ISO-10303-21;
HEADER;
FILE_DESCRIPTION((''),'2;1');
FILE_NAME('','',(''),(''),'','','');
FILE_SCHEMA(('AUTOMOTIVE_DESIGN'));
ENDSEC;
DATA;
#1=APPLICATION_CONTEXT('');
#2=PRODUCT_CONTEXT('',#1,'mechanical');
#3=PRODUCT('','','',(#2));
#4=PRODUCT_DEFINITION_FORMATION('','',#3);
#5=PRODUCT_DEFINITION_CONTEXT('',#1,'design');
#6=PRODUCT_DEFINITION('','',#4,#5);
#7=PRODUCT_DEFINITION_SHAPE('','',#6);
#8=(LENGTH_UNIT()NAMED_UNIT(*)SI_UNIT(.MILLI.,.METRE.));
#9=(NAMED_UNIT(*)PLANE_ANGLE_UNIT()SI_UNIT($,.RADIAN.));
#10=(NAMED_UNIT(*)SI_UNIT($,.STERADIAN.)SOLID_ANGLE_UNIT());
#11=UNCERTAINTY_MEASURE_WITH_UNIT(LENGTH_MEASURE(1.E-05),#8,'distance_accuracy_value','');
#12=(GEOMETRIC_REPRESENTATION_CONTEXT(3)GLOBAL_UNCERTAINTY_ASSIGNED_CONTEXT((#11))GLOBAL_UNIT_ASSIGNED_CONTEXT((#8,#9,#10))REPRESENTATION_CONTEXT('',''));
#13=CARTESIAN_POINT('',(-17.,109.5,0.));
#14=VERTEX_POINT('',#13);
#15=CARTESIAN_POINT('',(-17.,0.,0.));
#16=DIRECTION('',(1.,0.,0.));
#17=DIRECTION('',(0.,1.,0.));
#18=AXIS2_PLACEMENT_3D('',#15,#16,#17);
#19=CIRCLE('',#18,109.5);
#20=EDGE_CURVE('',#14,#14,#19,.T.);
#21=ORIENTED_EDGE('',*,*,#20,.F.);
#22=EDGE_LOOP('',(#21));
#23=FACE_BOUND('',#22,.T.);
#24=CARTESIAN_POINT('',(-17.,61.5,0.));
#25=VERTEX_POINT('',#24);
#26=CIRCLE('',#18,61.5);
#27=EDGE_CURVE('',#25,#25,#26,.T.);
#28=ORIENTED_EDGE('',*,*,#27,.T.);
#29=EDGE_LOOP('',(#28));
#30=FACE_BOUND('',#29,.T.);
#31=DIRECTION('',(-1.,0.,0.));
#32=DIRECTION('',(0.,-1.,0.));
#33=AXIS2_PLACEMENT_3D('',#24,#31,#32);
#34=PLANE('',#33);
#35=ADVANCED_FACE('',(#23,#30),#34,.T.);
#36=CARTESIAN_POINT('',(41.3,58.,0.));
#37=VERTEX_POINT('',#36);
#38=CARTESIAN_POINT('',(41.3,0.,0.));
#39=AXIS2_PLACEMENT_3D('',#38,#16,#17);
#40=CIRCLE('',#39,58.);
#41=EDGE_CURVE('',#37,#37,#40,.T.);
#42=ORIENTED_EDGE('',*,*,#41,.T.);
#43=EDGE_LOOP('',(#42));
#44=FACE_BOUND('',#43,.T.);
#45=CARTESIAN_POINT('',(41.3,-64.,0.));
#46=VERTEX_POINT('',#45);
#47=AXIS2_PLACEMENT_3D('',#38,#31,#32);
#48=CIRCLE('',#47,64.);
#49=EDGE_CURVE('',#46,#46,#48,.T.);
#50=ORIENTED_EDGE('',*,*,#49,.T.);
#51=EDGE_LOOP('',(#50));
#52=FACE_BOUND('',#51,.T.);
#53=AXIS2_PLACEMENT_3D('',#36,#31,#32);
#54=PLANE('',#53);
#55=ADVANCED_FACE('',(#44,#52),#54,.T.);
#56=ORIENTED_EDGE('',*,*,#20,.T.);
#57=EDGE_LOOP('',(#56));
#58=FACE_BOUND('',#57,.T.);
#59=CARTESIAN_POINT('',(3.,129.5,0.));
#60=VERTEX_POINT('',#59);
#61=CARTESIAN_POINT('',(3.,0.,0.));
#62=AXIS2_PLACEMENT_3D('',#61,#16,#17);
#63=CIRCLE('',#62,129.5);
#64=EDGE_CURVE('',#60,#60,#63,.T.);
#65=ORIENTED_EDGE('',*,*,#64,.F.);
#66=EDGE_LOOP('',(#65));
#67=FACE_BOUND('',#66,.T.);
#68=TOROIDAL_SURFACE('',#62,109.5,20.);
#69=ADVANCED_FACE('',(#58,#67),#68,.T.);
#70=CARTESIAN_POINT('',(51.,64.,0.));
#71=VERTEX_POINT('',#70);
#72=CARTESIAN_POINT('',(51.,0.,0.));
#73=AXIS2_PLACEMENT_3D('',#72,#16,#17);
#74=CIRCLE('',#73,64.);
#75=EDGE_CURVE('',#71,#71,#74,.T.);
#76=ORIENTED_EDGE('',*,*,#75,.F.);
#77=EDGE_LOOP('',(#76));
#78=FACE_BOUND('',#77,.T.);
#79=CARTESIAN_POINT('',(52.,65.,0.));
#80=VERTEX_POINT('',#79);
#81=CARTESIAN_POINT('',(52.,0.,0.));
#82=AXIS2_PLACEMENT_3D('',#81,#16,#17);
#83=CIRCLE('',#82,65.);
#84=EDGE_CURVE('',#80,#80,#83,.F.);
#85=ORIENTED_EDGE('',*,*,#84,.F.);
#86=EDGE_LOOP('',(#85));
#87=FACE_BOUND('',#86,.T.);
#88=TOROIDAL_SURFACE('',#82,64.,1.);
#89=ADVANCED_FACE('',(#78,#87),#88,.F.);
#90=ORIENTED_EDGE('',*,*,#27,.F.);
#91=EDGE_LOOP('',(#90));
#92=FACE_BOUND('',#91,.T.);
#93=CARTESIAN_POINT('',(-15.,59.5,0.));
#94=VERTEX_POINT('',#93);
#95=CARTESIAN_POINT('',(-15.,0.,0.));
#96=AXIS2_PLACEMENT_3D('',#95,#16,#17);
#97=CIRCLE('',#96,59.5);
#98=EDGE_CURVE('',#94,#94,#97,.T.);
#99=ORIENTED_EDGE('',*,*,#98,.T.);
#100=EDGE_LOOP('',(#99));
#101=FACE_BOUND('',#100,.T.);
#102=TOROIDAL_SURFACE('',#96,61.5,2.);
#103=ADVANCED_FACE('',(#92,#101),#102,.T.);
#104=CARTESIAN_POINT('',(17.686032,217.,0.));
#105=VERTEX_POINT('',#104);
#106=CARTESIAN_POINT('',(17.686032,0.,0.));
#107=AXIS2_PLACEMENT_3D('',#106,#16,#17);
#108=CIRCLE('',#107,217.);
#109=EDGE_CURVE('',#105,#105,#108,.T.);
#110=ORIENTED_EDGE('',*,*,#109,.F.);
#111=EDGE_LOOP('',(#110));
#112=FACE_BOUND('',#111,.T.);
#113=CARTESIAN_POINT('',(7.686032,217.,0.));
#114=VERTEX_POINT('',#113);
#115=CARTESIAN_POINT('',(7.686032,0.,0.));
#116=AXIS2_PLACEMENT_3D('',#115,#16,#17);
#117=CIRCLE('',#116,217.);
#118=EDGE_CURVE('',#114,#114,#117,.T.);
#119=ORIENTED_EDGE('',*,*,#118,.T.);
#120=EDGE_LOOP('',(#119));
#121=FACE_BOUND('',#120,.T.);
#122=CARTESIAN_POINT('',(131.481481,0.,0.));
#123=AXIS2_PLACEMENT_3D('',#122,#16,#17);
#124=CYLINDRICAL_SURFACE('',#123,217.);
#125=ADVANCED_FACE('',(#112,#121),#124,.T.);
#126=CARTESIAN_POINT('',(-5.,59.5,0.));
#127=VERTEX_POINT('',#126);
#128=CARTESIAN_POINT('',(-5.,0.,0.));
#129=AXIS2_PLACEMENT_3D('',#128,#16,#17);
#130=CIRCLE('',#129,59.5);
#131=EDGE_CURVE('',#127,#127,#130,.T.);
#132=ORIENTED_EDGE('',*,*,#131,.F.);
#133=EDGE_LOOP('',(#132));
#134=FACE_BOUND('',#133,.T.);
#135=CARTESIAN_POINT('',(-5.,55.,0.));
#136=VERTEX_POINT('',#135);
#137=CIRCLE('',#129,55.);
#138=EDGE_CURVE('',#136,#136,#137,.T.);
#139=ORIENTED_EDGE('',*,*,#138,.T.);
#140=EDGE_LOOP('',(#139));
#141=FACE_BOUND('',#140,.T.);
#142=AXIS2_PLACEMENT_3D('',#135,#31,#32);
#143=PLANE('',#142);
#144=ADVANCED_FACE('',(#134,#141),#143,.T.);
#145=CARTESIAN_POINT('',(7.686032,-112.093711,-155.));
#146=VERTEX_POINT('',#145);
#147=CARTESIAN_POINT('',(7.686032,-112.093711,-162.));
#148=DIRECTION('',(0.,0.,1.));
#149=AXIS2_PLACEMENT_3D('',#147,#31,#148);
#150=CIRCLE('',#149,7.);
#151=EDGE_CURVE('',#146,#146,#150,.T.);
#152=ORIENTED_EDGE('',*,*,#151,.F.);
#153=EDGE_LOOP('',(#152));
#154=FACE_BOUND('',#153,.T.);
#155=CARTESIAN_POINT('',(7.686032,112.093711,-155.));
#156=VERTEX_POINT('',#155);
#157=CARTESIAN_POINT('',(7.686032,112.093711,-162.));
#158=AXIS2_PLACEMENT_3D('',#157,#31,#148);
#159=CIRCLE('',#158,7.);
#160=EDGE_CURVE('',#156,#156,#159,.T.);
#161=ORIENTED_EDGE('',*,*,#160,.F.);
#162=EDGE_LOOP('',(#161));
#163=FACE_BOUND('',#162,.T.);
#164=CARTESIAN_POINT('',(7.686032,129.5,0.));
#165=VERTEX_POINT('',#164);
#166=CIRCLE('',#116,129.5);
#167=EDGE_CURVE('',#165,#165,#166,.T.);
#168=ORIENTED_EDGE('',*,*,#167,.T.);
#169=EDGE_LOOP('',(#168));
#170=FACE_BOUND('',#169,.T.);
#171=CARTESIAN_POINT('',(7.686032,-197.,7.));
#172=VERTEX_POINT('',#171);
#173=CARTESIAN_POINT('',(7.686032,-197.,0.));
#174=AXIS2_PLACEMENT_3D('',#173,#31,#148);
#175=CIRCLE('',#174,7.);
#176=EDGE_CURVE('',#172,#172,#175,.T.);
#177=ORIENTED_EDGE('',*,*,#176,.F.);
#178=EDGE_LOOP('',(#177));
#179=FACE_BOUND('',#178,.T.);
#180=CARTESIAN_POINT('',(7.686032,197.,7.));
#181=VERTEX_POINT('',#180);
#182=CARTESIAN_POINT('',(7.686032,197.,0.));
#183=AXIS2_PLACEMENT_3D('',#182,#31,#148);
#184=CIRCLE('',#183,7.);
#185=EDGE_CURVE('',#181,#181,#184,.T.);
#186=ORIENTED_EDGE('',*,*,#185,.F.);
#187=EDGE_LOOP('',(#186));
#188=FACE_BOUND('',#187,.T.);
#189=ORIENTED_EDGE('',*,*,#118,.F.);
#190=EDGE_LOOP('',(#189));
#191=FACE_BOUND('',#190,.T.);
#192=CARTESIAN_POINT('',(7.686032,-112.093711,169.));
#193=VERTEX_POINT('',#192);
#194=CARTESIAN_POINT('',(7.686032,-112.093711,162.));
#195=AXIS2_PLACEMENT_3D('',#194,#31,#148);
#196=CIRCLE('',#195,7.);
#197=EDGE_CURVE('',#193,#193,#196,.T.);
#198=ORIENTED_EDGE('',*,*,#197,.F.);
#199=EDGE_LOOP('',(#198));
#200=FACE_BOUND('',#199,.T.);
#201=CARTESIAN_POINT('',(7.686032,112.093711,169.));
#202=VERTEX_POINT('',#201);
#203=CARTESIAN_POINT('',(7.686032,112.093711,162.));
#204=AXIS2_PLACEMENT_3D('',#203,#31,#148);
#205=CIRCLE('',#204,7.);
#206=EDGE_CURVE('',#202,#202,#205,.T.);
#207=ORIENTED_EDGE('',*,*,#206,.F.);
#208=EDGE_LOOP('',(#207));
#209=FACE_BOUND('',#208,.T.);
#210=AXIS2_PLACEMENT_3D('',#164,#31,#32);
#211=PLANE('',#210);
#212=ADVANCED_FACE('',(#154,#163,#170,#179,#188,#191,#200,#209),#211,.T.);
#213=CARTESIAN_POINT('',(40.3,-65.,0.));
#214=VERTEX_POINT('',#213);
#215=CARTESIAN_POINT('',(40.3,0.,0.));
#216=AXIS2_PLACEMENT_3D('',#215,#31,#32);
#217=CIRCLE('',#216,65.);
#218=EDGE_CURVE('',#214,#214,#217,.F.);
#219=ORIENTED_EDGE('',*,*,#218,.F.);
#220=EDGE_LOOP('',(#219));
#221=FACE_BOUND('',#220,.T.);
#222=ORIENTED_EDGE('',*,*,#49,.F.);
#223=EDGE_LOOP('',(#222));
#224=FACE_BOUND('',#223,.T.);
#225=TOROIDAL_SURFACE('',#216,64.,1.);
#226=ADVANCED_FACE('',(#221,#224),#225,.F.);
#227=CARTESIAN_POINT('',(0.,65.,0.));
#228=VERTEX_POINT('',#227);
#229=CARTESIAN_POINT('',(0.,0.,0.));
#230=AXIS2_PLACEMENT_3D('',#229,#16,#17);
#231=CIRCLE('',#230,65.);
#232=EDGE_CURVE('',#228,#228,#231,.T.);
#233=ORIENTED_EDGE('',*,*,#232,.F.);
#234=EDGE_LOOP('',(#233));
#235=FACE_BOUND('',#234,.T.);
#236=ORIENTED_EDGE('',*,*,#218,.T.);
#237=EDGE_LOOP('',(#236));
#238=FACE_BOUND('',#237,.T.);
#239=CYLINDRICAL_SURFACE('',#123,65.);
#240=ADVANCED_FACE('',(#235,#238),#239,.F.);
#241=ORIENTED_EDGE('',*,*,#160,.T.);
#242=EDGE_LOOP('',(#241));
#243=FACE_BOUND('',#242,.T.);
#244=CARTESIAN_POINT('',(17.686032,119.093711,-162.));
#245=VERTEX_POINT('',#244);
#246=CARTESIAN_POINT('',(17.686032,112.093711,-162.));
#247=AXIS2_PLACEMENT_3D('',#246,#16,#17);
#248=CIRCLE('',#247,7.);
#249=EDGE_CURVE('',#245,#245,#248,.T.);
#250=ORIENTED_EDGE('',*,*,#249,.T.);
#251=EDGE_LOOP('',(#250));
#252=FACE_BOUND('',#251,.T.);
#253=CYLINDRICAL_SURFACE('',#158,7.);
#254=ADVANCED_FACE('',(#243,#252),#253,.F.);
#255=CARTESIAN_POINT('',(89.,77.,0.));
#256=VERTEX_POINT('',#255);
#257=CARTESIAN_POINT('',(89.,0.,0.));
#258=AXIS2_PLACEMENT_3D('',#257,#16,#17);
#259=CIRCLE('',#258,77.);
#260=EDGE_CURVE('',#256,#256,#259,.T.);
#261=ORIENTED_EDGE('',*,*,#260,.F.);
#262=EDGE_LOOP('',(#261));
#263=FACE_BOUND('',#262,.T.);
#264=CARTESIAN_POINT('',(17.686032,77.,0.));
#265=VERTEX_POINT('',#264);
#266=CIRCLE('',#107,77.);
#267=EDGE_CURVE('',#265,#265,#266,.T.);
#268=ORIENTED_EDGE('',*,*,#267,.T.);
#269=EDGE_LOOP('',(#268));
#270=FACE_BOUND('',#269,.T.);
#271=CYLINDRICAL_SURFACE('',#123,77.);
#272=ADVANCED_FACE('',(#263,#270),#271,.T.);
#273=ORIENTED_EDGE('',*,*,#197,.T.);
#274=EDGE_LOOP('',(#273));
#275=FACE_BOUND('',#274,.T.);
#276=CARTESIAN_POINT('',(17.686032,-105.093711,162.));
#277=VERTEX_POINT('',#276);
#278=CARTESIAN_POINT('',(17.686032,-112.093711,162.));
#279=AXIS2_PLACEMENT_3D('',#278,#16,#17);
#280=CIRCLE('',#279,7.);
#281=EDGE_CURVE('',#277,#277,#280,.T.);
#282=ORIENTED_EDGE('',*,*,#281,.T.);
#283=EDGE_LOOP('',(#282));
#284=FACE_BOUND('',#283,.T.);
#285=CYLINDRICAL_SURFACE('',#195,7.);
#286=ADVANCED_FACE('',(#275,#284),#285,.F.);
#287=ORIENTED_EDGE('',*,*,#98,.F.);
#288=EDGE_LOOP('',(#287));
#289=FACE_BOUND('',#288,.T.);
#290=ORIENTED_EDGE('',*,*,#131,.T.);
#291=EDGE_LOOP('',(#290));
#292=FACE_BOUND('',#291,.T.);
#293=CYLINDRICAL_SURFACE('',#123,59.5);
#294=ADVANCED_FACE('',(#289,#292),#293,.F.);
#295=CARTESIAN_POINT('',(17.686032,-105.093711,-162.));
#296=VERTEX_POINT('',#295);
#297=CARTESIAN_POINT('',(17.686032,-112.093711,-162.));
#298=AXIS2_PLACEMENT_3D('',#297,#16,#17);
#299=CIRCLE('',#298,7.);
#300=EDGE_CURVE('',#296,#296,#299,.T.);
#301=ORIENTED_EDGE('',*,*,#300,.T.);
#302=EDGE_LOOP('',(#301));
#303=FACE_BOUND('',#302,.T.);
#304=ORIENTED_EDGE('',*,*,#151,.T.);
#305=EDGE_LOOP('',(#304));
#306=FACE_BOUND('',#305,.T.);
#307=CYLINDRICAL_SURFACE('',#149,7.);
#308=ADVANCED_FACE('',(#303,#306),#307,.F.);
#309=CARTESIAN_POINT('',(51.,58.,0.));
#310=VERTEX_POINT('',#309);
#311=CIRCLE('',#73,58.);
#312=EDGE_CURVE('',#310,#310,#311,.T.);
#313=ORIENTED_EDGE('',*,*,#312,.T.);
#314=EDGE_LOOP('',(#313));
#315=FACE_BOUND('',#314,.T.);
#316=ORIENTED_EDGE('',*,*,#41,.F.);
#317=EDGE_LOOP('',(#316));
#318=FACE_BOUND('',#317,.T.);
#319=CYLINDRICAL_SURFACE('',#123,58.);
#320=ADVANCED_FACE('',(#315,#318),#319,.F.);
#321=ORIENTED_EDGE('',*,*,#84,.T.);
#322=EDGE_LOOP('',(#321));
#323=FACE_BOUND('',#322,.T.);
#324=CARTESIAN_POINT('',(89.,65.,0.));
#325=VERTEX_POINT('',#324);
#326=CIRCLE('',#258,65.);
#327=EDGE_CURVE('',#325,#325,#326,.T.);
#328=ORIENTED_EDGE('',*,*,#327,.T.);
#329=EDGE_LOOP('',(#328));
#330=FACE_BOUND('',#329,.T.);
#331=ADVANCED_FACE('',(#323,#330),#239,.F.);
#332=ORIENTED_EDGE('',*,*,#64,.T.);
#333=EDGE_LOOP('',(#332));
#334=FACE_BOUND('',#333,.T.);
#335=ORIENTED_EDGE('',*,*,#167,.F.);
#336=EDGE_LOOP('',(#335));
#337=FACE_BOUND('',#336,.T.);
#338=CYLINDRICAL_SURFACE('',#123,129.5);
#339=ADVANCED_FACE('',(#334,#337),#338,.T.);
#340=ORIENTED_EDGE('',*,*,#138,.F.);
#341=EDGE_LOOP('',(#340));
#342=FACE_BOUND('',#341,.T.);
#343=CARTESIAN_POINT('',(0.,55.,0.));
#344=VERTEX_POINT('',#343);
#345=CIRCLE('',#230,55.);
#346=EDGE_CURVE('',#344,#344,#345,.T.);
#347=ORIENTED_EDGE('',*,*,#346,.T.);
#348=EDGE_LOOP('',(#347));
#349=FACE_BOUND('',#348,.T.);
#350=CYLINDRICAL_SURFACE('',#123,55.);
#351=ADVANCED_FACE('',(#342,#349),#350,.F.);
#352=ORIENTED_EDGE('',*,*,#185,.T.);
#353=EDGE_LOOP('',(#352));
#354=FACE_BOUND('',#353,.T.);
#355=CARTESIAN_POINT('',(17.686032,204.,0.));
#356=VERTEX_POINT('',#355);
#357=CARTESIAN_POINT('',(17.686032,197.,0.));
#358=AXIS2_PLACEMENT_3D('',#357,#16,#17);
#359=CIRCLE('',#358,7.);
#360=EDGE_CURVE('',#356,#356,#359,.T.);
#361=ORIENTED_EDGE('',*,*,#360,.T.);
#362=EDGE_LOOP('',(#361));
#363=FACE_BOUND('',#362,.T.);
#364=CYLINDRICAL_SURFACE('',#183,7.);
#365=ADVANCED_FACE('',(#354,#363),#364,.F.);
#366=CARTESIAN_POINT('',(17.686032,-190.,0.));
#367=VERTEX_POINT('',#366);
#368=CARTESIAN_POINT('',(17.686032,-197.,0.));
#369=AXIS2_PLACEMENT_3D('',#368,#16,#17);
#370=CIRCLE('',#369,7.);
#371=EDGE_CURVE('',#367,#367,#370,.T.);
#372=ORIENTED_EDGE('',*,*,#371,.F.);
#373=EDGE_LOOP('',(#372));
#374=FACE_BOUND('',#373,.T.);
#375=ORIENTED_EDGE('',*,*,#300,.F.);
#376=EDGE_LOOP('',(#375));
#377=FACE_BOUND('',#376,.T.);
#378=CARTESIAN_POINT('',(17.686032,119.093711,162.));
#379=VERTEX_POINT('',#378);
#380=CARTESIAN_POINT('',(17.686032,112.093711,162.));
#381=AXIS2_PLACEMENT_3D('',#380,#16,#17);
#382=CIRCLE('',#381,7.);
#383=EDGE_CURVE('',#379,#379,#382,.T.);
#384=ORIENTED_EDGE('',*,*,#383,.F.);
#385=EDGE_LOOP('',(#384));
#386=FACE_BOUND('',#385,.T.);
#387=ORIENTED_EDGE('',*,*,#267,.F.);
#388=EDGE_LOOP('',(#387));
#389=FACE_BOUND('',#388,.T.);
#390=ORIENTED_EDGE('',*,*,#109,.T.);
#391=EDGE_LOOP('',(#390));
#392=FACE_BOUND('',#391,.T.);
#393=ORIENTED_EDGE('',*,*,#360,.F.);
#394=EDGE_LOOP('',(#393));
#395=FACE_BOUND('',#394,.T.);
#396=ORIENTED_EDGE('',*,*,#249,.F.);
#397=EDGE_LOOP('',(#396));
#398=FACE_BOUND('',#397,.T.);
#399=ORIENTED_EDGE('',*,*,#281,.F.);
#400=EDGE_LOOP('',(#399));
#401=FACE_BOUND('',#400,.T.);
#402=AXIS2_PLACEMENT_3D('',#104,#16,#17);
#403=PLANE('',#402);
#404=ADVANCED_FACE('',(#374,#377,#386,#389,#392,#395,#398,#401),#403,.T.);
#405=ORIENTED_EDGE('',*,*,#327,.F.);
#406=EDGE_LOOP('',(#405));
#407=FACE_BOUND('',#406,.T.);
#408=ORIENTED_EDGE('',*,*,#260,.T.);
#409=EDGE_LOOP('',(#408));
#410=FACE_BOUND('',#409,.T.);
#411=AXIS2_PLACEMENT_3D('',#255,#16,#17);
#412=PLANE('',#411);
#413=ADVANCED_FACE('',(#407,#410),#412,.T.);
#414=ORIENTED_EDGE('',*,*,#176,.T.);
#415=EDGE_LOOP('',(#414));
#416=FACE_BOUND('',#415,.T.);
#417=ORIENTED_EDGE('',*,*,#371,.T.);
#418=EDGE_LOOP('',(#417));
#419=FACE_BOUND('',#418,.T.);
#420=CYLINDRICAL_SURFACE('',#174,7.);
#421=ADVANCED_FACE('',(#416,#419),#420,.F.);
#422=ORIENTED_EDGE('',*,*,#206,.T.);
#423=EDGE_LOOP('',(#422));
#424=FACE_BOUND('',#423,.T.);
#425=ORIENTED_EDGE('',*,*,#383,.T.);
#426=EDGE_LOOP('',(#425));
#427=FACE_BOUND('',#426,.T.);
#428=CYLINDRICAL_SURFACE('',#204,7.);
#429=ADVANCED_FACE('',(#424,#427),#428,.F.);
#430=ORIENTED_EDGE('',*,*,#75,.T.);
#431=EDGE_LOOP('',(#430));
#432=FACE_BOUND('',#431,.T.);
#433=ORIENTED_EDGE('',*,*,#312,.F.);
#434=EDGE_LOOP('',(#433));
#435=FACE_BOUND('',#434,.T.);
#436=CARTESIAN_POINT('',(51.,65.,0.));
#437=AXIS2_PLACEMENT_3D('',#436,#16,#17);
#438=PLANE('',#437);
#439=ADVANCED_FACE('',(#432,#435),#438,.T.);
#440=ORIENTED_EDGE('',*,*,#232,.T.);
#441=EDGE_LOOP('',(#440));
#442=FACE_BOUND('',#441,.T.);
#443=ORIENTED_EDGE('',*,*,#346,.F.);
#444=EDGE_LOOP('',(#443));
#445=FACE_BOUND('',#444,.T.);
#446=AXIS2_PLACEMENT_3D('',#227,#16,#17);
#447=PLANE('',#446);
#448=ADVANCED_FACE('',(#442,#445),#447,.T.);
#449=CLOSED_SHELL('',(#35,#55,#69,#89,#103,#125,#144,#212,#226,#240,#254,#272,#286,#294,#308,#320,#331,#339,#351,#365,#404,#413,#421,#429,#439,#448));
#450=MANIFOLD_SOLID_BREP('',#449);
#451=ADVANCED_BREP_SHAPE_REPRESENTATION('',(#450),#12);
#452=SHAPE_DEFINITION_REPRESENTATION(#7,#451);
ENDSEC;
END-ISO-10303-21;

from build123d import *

# Parameters (mm, degrees)
FILLET1_R                  = 1
M16X2_0_TAPPED_HOLE1_D     = 14
M16X2_0_TAPPED_HOLE1_DEPTH = 38
M16X2_0_TAPPED_HOLE1_TIP   = 4.206024333


with BuildPart() as part:
    # Sketch1 → Revolve1 (revolve)
    with BuildSketch(Plane.XY):
        with BuildLine():
            Line((89, 65), (51, 65))
            Line((51, 65), (51, 58))
            Line((51, 58), (41.3, 58))
            Line((41.3, 58), (41.3, 65))
            Line((41.3, 65), (0, 65))
            Line((0, 65), (0, 55))
            Line((0, 55), (-5, 55))
            Line((-5, 55), (-5, 59.5))
            Line((-5, 59.5), (-15, 59.5))
            ThreePointArc((-15, 59.5), (-16.414213562, 60.085786438), (-17, 61.5))
            Line((-17, 61.5), (-17, 109.5))
            ThreePointArc((-17, 109.5), (-11.142135624, 123.642135624), (3, 129.5))
            Line((3, 129.5), (7.686032459, 129.5))
            Line((7.686032459, 129.5), (7.686032459, 217))
            Line((7.686032459, 217), (17.686032459, 217))
            Line((17.686032459, 217), (17.686032459, 77))
            Line((17.686032459, 77), (89, 77))
            Line((89, 77), (89, 65))
        make_face()
    revolve(axis=Axis((131.481481481, 0, 0), (-1, 0, 0)))

    # Fillet1
    fillet1_edges = [part.edges().sort_by_distance(p)[0] for p in [
        (41.3, -65, 0),
        (51, -65, 0),
    ]]
    fillet(fillet1_edges, radius=FILLET1_R)

    # M16x2.0 Tapped Hole1
    with Locations(Plane.ZY.offset(-7.686032459)):
        with Locations((0, 197), (0, -197), (162, -112.093710796), (-162, -112.093710796), (-162, 112.093710796), (162, 112.093710796)):
            Hole(M16X2_0_TAPPED_HOLE1_D / 2, depth=M16X2_0_TAPPED_HOLE1_DEPTH)
            with Locations((0, 0, -(M16X2_0_TAPPED_HOLE1_DEPTH + M16X2_0_TAPPED_HOLE1_TIP / 2))):  # 118° drill point
                Cone(0, M16X2_0_TAPPED_HOLE1_D / 2, M16X2_0_TAPPED_HOLE1_TIP, mode=Mode.SUBTRACT)


solid = part.part
